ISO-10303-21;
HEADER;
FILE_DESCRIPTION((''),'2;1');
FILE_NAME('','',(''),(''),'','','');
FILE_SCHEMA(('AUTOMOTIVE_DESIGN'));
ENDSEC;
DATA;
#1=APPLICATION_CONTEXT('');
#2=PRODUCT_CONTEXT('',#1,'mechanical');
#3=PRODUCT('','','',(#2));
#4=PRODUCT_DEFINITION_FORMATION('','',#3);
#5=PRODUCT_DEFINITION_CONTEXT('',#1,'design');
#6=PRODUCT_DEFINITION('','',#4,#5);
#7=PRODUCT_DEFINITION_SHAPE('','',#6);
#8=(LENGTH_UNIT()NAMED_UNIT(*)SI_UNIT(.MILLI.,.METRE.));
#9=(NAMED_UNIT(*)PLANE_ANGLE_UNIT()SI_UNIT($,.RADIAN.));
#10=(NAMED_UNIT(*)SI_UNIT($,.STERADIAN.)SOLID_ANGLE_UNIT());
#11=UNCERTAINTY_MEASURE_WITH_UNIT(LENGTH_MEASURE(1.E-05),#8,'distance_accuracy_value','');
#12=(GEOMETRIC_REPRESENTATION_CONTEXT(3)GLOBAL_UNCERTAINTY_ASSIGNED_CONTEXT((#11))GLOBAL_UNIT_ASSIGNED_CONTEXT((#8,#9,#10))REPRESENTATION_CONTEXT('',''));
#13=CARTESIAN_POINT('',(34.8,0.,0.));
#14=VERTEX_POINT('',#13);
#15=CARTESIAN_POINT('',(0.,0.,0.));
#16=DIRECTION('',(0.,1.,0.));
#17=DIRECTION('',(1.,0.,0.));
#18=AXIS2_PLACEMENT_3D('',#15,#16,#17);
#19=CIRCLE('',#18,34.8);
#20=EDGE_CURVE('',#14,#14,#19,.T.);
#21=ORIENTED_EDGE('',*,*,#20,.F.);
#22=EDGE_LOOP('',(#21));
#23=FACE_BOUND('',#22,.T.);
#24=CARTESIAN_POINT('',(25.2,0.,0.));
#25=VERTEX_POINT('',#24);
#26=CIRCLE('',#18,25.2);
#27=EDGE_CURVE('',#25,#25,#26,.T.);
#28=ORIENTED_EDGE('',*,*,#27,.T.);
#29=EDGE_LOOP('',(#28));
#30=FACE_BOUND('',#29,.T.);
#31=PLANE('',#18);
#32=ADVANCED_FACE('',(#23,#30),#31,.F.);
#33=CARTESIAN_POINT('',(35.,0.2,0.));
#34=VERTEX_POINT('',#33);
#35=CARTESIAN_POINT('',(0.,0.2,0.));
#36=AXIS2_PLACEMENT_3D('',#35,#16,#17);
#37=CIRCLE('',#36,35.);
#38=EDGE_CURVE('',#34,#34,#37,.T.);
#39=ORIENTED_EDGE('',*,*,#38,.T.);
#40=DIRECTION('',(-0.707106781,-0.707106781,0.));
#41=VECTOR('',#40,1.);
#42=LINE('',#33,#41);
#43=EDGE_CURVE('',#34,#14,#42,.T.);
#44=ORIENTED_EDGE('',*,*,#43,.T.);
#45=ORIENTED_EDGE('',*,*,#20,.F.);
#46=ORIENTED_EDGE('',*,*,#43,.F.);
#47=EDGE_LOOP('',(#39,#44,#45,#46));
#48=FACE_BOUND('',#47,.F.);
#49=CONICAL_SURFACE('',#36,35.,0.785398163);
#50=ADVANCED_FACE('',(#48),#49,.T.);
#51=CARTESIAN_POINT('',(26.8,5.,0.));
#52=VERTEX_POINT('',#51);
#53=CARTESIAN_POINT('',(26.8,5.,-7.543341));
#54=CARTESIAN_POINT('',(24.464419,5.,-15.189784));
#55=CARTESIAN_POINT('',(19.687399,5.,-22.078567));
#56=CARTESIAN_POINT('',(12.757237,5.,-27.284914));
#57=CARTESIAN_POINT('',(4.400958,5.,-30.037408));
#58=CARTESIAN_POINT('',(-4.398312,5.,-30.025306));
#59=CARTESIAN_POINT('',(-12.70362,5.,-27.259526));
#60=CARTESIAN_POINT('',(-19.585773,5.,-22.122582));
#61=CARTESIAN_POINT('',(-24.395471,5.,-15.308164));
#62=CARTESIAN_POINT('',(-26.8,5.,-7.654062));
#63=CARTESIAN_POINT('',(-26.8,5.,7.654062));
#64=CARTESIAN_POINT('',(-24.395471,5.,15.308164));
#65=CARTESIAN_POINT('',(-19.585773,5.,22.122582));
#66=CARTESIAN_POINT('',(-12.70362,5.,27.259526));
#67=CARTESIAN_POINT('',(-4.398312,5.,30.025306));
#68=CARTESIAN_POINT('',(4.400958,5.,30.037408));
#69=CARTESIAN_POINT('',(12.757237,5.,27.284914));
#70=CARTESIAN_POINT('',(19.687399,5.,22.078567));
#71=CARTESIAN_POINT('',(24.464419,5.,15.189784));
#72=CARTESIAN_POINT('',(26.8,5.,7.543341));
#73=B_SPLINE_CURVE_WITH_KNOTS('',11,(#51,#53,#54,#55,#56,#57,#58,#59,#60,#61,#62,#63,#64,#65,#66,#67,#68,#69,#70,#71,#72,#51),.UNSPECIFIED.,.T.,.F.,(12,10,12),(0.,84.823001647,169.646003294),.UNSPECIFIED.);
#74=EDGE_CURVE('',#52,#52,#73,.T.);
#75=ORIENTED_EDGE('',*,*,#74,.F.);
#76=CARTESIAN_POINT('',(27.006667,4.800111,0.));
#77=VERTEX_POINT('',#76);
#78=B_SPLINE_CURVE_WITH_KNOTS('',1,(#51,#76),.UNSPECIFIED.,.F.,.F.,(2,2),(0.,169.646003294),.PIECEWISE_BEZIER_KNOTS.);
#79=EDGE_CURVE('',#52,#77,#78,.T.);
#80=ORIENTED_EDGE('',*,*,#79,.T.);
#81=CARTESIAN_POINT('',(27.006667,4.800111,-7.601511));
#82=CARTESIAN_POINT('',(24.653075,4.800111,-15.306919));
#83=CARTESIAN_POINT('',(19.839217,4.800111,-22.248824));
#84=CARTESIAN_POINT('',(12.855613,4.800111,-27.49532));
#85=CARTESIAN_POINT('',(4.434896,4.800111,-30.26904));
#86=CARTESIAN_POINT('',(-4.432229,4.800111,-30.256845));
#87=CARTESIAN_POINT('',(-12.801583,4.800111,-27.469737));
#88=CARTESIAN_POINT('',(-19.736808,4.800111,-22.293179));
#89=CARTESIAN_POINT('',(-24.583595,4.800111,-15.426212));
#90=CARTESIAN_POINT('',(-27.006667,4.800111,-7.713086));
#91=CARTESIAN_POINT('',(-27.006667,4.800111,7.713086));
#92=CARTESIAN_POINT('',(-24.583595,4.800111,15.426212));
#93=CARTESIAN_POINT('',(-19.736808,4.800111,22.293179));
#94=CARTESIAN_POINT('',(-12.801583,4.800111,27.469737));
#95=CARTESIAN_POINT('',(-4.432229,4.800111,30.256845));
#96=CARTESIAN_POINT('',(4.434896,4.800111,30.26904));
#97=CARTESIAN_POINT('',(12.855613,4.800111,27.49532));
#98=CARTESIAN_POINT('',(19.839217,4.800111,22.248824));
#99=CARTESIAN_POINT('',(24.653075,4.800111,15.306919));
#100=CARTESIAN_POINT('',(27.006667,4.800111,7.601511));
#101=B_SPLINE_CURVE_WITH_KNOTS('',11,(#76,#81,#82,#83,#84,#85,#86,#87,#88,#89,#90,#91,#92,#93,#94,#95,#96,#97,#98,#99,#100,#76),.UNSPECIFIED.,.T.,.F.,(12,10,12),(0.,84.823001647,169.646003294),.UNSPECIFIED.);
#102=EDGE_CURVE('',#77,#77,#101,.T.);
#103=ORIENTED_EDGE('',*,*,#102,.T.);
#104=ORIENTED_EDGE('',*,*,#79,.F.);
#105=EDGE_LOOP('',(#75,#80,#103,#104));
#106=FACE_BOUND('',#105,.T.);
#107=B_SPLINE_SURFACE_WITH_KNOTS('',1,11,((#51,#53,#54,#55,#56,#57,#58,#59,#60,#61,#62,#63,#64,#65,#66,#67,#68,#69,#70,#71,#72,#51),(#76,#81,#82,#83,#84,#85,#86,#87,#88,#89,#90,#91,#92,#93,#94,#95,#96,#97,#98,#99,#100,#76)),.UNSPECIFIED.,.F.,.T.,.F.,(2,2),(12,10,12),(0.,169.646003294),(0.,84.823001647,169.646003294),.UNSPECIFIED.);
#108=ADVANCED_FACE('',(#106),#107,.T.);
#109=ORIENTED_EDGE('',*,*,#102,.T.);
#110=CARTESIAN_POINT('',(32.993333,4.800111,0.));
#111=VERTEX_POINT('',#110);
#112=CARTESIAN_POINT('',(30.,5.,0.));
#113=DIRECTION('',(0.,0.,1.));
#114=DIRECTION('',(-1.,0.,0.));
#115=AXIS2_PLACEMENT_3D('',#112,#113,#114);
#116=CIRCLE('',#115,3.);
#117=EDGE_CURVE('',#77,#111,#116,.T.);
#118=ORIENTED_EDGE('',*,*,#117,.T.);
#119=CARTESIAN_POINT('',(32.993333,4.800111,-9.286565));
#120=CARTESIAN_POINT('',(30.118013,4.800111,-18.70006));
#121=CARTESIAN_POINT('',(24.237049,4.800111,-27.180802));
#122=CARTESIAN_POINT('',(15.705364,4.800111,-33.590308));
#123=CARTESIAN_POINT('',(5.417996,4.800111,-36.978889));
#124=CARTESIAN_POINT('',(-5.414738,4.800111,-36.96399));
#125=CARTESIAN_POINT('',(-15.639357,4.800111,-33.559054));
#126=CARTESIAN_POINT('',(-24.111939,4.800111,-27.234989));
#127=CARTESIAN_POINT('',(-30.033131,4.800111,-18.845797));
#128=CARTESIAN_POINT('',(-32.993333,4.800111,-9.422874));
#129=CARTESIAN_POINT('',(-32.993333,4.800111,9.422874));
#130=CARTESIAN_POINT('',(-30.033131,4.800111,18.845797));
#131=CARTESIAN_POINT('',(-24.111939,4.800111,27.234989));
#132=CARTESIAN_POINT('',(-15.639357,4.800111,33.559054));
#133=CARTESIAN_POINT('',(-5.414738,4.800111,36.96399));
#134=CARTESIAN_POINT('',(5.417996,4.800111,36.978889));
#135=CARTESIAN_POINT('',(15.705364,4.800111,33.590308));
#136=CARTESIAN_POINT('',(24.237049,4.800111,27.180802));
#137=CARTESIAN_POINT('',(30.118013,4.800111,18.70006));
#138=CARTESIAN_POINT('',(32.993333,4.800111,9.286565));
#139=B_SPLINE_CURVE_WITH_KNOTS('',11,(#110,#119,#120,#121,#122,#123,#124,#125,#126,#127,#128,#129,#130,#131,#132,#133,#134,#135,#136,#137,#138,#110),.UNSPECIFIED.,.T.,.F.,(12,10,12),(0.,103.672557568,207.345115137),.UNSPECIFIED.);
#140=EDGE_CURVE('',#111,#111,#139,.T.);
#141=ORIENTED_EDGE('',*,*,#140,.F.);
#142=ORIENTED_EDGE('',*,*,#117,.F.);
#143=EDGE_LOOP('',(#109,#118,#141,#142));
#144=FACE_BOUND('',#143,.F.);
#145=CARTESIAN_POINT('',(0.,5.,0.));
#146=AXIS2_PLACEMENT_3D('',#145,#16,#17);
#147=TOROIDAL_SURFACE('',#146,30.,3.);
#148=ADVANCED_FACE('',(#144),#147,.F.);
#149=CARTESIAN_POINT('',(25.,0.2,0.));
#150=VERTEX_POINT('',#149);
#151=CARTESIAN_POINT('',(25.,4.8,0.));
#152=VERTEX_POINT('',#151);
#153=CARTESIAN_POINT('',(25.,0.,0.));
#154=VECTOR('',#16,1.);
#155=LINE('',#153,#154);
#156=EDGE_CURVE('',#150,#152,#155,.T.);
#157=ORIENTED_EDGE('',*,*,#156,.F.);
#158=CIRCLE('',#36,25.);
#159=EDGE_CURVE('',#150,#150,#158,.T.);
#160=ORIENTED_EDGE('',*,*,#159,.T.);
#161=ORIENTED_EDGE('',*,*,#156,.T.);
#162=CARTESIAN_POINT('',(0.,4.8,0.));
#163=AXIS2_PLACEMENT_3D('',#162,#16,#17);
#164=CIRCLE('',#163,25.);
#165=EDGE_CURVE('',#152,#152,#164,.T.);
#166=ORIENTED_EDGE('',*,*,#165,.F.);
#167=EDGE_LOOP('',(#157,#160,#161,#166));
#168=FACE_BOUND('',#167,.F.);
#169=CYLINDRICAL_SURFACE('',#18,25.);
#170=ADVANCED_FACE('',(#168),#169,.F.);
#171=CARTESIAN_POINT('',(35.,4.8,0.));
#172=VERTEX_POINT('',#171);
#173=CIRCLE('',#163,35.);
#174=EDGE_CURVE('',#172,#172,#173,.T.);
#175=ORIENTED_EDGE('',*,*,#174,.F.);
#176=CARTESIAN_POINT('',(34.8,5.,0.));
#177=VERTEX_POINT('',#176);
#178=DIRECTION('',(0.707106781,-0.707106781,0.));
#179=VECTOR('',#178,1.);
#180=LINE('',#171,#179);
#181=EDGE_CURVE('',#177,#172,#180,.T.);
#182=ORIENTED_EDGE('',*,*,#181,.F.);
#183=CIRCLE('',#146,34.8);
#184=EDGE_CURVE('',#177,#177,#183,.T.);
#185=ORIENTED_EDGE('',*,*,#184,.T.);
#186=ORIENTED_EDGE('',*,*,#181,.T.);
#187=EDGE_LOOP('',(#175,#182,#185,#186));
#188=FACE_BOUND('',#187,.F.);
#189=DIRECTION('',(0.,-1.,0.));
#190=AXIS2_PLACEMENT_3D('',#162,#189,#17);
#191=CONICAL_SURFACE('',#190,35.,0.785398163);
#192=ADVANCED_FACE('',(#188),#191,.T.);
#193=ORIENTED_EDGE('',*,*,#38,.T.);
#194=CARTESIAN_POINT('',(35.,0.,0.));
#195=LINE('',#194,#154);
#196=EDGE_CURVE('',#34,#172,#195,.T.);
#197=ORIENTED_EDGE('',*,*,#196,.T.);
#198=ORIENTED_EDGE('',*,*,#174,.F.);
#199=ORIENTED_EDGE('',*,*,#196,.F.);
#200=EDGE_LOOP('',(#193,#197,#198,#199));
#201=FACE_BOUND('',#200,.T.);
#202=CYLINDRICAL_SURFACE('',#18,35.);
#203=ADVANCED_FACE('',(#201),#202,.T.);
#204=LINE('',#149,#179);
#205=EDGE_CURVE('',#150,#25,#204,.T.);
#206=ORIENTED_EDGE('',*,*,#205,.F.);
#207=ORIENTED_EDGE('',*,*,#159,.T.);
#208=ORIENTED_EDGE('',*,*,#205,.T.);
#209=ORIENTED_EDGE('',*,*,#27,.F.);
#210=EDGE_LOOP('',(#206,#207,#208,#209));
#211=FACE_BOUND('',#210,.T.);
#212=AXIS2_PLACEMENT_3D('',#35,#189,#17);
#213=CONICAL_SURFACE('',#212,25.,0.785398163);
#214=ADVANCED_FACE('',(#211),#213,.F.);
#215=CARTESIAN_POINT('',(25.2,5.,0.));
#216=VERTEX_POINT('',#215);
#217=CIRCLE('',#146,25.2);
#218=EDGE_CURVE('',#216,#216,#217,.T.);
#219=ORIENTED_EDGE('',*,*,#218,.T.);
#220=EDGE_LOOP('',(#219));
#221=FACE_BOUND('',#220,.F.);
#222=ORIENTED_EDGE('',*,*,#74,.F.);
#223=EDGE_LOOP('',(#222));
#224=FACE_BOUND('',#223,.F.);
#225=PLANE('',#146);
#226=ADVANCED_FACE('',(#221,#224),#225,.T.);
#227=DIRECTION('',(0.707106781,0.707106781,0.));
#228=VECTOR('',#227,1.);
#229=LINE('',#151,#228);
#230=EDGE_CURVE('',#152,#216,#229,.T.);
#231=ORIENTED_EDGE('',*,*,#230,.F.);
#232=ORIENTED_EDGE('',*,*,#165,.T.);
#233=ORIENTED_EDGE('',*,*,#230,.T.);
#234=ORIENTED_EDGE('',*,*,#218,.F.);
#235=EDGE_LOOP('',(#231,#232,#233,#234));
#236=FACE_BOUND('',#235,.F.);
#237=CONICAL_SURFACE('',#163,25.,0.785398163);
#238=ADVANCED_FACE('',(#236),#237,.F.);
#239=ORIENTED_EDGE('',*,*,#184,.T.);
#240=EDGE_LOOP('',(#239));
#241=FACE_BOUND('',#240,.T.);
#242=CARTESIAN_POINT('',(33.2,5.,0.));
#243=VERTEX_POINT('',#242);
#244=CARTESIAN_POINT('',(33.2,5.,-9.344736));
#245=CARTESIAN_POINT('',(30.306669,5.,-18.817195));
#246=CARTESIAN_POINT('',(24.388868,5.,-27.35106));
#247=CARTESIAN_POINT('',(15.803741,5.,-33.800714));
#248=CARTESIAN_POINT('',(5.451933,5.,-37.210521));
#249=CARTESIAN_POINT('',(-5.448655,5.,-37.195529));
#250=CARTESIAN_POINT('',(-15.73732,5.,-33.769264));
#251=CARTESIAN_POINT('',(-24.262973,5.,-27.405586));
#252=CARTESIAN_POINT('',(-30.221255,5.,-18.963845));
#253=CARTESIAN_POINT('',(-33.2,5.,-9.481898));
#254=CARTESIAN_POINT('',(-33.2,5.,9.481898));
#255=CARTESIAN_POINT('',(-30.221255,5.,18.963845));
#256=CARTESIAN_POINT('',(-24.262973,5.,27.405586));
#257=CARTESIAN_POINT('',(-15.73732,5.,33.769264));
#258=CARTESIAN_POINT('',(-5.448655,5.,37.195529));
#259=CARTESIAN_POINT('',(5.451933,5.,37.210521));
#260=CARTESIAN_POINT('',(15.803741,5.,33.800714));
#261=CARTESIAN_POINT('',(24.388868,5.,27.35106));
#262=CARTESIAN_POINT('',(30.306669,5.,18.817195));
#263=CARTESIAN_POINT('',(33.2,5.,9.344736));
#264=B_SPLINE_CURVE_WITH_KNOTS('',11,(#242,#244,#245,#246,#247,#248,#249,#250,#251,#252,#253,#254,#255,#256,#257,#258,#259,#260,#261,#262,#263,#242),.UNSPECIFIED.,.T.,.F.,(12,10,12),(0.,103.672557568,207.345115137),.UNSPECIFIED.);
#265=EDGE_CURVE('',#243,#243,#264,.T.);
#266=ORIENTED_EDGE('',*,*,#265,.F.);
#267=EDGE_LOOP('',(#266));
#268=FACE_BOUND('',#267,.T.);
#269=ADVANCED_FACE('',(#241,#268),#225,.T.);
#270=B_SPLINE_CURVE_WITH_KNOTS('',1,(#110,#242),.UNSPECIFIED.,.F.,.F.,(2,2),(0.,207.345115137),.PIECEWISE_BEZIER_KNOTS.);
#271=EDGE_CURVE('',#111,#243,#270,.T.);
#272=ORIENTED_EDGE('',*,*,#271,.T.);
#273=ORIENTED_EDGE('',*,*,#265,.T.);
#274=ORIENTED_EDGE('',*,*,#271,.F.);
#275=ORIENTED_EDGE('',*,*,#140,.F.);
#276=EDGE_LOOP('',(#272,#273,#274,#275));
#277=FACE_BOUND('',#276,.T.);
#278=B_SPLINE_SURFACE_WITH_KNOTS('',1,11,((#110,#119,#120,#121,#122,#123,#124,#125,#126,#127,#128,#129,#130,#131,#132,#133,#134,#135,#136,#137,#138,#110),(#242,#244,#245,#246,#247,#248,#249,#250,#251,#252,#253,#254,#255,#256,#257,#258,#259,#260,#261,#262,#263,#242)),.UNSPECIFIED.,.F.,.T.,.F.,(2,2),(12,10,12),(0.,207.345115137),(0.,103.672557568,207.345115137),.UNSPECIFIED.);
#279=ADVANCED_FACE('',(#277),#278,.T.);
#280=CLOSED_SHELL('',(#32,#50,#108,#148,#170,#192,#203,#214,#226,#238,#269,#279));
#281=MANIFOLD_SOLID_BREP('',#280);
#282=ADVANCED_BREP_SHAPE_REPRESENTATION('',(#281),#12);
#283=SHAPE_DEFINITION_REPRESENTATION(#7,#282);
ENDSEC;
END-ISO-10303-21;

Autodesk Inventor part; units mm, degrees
ref_plane "YZ Plane" through (0, 0, 0) normal (1, 0, 0) x (0, 1, 0)
ref_plane "XZ Plane" through (0, 0, 0) normal (0, 1, 0) x (-1, 0, 0)
ref_plane "XY Plane" through (0, 0, 0) normal (0, 0, 1) x (1, 0, 0)
sketch "Sketch1" plane through (0, 0, 0) normal (0, 0, 1) x (1, 0, 0)
  line L0 (25, 0) -> (35, 0)
  line L1 (35, 0) -> (35, 5)
  line L2 (25, 0) -> (25, 5)
  arc A0 (27, 5) -> (33, 5) centre (30, 5) ccw
  line L3 (35, 5) -> (33, 5)
  line L4 (25, 5) -> (27, 5)
  line L5 (0, -1) -> (0, 6) projected
  point P0 (0, 0)
  point P1 (30, 0)
  dimension "d0" = 25
  dimension "d1" = 10
  dimension "d2" = 5
  dimension "d3" = 6
revolve "Revolution1" add sketch "Sketch1" angle 360 about axis through (0, -10, 0) along (0, 1, 0)
chamfer "Chamfer1" distance 0.2 angle 45 6 edges at (-25, 0, 0) (-35, 0, 0) (-35, 5, 0) (-33, 5, 0) (-27, 5, 0) (-25, 5, 0)
properties part number "UBC Bearing 51110 - buitenkant" material "Stainless Steel"
